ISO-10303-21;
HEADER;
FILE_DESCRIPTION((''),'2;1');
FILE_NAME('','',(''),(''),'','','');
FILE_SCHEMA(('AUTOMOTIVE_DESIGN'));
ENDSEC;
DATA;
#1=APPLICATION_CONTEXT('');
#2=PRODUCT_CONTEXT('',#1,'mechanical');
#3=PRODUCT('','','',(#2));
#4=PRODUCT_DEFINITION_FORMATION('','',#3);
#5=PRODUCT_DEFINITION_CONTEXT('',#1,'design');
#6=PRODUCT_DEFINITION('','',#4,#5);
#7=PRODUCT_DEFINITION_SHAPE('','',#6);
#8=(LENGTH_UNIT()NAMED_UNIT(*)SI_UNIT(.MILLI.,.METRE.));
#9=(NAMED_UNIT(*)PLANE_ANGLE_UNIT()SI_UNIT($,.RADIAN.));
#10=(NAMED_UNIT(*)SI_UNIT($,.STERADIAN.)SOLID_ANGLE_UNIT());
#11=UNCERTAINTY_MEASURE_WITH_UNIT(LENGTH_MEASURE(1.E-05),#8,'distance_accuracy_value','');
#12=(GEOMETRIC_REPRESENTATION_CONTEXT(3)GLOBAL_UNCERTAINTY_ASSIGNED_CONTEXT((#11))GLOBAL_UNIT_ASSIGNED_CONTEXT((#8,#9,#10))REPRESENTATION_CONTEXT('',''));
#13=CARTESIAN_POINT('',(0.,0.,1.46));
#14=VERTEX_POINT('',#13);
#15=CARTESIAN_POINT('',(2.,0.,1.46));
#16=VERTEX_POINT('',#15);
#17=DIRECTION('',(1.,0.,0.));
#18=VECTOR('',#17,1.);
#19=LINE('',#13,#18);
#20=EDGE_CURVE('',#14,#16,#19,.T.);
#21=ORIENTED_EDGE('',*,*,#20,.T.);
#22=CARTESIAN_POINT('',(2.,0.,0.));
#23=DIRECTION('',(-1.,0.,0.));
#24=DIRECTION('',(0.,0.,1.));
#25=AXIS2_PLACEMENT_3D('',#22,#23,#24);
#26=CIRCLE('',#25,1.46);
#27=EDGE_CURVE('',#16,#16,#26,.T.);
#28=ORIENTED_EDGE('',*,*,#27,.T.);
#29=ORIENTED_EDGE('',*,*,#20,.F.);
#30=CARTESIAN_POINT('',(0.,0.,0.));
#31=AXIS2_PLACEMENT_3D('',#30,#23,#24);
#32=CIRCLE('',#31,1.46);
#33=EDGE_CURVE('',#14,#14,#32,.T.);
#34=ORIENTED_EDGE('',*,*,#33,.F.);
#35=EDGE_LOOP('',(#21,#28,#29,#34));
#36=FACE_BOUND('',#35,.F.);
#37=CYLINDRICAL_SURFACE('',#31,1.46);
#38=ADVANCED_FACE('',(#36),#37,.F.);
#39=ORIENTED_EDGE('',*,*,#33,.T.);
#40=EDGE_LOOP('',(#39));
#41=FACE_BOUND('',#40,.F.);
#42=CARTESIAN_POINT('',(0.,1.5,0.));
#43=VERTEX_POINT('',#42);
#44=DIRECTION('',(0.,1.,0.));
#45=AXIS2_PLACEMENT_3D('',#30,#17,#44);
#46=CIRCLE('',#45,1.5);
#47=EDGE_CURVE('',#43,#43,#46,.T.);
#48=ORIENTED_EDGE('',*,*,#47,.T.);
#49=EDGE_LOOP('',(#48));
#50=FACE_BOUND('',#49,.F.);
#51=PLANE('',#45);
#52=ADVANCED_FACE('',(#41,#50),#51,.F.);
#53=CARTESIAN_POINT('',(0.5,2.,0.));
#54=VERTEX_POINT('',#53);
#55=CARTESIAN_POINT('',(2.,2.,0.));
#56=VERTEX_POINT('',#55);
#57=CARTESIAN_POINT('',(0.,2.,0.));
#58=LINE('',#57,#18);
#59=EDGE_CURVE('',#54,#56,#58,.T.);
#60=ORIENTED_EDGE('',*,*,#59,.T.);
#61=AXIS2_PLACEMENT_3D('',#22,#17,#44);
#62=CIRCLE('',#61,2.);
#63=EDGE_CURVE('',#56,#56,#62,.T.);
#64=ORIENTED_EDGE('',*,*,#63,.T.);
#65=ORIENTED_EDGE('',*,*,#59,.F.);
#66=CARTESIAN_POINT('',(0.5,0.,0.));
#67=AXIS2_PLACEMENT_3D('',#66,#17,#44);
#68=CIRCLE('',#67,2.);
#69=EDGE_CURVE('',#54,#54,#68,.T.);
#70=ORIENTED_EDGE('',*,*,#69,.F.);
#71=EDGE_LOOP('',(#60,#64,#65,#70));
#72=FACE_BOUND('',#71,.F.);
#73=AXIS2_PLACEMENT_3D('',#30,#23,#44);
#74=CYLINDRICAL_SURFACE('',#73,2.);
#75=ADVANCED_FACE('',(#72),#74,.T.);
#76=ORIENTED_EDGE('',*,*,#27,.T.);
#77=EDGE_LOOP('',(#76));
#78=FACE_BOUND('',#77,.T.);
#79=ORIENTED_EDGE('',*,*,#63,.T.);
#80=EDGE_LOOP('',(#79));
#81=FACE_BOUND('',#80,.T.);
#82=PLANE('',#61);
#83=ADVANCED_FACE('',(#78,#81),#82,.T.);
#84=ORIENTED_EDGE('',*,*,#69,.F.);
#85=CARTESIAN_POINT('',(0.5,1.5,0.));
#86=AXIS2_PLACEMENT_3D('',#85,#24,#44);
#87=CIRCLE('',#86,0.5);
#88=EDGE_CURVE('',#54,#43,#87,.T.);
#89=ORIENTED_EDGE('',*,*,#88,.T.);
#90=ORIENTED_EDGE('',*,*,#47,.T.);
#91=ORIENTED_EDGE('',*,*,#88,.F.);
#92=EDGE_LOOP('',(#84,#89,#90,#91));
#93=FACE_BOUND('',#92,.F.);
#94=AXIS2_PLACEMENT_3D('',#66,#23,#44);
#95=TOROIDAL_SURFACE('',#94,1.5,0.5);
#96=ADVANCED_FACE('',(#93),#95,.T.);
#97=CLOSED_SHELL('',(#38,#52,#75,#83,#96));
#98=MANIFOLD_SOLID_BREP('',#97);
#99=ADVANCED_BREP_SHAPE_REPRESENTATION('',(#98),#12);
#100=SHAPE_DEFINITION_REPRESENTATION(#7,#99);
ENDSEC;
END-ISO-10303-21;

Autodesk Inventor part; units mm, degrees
ref_plane "YZ Plane" through (0, 0, 0) normal (1, 0, 0) x (0, 1, 0)
ref_plane "XZ Plane" through (0, 0, 0) normal (0, 1, 0) x (-1, 0, 0)
ref_plane "XY Plane" through (0, 0, 0) normal (0, 0, 1) x (1, 0, 0)
sketch "スケッチ1" plane through (0, 0, 0) normal (1, 0, 0) x (0, 1, 0)
  circle A0 centre (0, 0) radius 2
  dimension "d0" = 4
extrude "押し出し1" add sketch "スケッチ1" along normal blind 2
sketch "スケッチ2" plane through (0, 0, 0) normal (-1, 0, 0) x (0, 0, 1)
  circle A0 centre (0, 0) radius 1.46
  dimension "d3" = 2.92
extrude "押し出し2" cut sketch "スケッチ2" against normal blind 3.5
fillet "フィレット1" radius 0.5 1 edges at (0, -2, 0)
properties part number "Stopper"
